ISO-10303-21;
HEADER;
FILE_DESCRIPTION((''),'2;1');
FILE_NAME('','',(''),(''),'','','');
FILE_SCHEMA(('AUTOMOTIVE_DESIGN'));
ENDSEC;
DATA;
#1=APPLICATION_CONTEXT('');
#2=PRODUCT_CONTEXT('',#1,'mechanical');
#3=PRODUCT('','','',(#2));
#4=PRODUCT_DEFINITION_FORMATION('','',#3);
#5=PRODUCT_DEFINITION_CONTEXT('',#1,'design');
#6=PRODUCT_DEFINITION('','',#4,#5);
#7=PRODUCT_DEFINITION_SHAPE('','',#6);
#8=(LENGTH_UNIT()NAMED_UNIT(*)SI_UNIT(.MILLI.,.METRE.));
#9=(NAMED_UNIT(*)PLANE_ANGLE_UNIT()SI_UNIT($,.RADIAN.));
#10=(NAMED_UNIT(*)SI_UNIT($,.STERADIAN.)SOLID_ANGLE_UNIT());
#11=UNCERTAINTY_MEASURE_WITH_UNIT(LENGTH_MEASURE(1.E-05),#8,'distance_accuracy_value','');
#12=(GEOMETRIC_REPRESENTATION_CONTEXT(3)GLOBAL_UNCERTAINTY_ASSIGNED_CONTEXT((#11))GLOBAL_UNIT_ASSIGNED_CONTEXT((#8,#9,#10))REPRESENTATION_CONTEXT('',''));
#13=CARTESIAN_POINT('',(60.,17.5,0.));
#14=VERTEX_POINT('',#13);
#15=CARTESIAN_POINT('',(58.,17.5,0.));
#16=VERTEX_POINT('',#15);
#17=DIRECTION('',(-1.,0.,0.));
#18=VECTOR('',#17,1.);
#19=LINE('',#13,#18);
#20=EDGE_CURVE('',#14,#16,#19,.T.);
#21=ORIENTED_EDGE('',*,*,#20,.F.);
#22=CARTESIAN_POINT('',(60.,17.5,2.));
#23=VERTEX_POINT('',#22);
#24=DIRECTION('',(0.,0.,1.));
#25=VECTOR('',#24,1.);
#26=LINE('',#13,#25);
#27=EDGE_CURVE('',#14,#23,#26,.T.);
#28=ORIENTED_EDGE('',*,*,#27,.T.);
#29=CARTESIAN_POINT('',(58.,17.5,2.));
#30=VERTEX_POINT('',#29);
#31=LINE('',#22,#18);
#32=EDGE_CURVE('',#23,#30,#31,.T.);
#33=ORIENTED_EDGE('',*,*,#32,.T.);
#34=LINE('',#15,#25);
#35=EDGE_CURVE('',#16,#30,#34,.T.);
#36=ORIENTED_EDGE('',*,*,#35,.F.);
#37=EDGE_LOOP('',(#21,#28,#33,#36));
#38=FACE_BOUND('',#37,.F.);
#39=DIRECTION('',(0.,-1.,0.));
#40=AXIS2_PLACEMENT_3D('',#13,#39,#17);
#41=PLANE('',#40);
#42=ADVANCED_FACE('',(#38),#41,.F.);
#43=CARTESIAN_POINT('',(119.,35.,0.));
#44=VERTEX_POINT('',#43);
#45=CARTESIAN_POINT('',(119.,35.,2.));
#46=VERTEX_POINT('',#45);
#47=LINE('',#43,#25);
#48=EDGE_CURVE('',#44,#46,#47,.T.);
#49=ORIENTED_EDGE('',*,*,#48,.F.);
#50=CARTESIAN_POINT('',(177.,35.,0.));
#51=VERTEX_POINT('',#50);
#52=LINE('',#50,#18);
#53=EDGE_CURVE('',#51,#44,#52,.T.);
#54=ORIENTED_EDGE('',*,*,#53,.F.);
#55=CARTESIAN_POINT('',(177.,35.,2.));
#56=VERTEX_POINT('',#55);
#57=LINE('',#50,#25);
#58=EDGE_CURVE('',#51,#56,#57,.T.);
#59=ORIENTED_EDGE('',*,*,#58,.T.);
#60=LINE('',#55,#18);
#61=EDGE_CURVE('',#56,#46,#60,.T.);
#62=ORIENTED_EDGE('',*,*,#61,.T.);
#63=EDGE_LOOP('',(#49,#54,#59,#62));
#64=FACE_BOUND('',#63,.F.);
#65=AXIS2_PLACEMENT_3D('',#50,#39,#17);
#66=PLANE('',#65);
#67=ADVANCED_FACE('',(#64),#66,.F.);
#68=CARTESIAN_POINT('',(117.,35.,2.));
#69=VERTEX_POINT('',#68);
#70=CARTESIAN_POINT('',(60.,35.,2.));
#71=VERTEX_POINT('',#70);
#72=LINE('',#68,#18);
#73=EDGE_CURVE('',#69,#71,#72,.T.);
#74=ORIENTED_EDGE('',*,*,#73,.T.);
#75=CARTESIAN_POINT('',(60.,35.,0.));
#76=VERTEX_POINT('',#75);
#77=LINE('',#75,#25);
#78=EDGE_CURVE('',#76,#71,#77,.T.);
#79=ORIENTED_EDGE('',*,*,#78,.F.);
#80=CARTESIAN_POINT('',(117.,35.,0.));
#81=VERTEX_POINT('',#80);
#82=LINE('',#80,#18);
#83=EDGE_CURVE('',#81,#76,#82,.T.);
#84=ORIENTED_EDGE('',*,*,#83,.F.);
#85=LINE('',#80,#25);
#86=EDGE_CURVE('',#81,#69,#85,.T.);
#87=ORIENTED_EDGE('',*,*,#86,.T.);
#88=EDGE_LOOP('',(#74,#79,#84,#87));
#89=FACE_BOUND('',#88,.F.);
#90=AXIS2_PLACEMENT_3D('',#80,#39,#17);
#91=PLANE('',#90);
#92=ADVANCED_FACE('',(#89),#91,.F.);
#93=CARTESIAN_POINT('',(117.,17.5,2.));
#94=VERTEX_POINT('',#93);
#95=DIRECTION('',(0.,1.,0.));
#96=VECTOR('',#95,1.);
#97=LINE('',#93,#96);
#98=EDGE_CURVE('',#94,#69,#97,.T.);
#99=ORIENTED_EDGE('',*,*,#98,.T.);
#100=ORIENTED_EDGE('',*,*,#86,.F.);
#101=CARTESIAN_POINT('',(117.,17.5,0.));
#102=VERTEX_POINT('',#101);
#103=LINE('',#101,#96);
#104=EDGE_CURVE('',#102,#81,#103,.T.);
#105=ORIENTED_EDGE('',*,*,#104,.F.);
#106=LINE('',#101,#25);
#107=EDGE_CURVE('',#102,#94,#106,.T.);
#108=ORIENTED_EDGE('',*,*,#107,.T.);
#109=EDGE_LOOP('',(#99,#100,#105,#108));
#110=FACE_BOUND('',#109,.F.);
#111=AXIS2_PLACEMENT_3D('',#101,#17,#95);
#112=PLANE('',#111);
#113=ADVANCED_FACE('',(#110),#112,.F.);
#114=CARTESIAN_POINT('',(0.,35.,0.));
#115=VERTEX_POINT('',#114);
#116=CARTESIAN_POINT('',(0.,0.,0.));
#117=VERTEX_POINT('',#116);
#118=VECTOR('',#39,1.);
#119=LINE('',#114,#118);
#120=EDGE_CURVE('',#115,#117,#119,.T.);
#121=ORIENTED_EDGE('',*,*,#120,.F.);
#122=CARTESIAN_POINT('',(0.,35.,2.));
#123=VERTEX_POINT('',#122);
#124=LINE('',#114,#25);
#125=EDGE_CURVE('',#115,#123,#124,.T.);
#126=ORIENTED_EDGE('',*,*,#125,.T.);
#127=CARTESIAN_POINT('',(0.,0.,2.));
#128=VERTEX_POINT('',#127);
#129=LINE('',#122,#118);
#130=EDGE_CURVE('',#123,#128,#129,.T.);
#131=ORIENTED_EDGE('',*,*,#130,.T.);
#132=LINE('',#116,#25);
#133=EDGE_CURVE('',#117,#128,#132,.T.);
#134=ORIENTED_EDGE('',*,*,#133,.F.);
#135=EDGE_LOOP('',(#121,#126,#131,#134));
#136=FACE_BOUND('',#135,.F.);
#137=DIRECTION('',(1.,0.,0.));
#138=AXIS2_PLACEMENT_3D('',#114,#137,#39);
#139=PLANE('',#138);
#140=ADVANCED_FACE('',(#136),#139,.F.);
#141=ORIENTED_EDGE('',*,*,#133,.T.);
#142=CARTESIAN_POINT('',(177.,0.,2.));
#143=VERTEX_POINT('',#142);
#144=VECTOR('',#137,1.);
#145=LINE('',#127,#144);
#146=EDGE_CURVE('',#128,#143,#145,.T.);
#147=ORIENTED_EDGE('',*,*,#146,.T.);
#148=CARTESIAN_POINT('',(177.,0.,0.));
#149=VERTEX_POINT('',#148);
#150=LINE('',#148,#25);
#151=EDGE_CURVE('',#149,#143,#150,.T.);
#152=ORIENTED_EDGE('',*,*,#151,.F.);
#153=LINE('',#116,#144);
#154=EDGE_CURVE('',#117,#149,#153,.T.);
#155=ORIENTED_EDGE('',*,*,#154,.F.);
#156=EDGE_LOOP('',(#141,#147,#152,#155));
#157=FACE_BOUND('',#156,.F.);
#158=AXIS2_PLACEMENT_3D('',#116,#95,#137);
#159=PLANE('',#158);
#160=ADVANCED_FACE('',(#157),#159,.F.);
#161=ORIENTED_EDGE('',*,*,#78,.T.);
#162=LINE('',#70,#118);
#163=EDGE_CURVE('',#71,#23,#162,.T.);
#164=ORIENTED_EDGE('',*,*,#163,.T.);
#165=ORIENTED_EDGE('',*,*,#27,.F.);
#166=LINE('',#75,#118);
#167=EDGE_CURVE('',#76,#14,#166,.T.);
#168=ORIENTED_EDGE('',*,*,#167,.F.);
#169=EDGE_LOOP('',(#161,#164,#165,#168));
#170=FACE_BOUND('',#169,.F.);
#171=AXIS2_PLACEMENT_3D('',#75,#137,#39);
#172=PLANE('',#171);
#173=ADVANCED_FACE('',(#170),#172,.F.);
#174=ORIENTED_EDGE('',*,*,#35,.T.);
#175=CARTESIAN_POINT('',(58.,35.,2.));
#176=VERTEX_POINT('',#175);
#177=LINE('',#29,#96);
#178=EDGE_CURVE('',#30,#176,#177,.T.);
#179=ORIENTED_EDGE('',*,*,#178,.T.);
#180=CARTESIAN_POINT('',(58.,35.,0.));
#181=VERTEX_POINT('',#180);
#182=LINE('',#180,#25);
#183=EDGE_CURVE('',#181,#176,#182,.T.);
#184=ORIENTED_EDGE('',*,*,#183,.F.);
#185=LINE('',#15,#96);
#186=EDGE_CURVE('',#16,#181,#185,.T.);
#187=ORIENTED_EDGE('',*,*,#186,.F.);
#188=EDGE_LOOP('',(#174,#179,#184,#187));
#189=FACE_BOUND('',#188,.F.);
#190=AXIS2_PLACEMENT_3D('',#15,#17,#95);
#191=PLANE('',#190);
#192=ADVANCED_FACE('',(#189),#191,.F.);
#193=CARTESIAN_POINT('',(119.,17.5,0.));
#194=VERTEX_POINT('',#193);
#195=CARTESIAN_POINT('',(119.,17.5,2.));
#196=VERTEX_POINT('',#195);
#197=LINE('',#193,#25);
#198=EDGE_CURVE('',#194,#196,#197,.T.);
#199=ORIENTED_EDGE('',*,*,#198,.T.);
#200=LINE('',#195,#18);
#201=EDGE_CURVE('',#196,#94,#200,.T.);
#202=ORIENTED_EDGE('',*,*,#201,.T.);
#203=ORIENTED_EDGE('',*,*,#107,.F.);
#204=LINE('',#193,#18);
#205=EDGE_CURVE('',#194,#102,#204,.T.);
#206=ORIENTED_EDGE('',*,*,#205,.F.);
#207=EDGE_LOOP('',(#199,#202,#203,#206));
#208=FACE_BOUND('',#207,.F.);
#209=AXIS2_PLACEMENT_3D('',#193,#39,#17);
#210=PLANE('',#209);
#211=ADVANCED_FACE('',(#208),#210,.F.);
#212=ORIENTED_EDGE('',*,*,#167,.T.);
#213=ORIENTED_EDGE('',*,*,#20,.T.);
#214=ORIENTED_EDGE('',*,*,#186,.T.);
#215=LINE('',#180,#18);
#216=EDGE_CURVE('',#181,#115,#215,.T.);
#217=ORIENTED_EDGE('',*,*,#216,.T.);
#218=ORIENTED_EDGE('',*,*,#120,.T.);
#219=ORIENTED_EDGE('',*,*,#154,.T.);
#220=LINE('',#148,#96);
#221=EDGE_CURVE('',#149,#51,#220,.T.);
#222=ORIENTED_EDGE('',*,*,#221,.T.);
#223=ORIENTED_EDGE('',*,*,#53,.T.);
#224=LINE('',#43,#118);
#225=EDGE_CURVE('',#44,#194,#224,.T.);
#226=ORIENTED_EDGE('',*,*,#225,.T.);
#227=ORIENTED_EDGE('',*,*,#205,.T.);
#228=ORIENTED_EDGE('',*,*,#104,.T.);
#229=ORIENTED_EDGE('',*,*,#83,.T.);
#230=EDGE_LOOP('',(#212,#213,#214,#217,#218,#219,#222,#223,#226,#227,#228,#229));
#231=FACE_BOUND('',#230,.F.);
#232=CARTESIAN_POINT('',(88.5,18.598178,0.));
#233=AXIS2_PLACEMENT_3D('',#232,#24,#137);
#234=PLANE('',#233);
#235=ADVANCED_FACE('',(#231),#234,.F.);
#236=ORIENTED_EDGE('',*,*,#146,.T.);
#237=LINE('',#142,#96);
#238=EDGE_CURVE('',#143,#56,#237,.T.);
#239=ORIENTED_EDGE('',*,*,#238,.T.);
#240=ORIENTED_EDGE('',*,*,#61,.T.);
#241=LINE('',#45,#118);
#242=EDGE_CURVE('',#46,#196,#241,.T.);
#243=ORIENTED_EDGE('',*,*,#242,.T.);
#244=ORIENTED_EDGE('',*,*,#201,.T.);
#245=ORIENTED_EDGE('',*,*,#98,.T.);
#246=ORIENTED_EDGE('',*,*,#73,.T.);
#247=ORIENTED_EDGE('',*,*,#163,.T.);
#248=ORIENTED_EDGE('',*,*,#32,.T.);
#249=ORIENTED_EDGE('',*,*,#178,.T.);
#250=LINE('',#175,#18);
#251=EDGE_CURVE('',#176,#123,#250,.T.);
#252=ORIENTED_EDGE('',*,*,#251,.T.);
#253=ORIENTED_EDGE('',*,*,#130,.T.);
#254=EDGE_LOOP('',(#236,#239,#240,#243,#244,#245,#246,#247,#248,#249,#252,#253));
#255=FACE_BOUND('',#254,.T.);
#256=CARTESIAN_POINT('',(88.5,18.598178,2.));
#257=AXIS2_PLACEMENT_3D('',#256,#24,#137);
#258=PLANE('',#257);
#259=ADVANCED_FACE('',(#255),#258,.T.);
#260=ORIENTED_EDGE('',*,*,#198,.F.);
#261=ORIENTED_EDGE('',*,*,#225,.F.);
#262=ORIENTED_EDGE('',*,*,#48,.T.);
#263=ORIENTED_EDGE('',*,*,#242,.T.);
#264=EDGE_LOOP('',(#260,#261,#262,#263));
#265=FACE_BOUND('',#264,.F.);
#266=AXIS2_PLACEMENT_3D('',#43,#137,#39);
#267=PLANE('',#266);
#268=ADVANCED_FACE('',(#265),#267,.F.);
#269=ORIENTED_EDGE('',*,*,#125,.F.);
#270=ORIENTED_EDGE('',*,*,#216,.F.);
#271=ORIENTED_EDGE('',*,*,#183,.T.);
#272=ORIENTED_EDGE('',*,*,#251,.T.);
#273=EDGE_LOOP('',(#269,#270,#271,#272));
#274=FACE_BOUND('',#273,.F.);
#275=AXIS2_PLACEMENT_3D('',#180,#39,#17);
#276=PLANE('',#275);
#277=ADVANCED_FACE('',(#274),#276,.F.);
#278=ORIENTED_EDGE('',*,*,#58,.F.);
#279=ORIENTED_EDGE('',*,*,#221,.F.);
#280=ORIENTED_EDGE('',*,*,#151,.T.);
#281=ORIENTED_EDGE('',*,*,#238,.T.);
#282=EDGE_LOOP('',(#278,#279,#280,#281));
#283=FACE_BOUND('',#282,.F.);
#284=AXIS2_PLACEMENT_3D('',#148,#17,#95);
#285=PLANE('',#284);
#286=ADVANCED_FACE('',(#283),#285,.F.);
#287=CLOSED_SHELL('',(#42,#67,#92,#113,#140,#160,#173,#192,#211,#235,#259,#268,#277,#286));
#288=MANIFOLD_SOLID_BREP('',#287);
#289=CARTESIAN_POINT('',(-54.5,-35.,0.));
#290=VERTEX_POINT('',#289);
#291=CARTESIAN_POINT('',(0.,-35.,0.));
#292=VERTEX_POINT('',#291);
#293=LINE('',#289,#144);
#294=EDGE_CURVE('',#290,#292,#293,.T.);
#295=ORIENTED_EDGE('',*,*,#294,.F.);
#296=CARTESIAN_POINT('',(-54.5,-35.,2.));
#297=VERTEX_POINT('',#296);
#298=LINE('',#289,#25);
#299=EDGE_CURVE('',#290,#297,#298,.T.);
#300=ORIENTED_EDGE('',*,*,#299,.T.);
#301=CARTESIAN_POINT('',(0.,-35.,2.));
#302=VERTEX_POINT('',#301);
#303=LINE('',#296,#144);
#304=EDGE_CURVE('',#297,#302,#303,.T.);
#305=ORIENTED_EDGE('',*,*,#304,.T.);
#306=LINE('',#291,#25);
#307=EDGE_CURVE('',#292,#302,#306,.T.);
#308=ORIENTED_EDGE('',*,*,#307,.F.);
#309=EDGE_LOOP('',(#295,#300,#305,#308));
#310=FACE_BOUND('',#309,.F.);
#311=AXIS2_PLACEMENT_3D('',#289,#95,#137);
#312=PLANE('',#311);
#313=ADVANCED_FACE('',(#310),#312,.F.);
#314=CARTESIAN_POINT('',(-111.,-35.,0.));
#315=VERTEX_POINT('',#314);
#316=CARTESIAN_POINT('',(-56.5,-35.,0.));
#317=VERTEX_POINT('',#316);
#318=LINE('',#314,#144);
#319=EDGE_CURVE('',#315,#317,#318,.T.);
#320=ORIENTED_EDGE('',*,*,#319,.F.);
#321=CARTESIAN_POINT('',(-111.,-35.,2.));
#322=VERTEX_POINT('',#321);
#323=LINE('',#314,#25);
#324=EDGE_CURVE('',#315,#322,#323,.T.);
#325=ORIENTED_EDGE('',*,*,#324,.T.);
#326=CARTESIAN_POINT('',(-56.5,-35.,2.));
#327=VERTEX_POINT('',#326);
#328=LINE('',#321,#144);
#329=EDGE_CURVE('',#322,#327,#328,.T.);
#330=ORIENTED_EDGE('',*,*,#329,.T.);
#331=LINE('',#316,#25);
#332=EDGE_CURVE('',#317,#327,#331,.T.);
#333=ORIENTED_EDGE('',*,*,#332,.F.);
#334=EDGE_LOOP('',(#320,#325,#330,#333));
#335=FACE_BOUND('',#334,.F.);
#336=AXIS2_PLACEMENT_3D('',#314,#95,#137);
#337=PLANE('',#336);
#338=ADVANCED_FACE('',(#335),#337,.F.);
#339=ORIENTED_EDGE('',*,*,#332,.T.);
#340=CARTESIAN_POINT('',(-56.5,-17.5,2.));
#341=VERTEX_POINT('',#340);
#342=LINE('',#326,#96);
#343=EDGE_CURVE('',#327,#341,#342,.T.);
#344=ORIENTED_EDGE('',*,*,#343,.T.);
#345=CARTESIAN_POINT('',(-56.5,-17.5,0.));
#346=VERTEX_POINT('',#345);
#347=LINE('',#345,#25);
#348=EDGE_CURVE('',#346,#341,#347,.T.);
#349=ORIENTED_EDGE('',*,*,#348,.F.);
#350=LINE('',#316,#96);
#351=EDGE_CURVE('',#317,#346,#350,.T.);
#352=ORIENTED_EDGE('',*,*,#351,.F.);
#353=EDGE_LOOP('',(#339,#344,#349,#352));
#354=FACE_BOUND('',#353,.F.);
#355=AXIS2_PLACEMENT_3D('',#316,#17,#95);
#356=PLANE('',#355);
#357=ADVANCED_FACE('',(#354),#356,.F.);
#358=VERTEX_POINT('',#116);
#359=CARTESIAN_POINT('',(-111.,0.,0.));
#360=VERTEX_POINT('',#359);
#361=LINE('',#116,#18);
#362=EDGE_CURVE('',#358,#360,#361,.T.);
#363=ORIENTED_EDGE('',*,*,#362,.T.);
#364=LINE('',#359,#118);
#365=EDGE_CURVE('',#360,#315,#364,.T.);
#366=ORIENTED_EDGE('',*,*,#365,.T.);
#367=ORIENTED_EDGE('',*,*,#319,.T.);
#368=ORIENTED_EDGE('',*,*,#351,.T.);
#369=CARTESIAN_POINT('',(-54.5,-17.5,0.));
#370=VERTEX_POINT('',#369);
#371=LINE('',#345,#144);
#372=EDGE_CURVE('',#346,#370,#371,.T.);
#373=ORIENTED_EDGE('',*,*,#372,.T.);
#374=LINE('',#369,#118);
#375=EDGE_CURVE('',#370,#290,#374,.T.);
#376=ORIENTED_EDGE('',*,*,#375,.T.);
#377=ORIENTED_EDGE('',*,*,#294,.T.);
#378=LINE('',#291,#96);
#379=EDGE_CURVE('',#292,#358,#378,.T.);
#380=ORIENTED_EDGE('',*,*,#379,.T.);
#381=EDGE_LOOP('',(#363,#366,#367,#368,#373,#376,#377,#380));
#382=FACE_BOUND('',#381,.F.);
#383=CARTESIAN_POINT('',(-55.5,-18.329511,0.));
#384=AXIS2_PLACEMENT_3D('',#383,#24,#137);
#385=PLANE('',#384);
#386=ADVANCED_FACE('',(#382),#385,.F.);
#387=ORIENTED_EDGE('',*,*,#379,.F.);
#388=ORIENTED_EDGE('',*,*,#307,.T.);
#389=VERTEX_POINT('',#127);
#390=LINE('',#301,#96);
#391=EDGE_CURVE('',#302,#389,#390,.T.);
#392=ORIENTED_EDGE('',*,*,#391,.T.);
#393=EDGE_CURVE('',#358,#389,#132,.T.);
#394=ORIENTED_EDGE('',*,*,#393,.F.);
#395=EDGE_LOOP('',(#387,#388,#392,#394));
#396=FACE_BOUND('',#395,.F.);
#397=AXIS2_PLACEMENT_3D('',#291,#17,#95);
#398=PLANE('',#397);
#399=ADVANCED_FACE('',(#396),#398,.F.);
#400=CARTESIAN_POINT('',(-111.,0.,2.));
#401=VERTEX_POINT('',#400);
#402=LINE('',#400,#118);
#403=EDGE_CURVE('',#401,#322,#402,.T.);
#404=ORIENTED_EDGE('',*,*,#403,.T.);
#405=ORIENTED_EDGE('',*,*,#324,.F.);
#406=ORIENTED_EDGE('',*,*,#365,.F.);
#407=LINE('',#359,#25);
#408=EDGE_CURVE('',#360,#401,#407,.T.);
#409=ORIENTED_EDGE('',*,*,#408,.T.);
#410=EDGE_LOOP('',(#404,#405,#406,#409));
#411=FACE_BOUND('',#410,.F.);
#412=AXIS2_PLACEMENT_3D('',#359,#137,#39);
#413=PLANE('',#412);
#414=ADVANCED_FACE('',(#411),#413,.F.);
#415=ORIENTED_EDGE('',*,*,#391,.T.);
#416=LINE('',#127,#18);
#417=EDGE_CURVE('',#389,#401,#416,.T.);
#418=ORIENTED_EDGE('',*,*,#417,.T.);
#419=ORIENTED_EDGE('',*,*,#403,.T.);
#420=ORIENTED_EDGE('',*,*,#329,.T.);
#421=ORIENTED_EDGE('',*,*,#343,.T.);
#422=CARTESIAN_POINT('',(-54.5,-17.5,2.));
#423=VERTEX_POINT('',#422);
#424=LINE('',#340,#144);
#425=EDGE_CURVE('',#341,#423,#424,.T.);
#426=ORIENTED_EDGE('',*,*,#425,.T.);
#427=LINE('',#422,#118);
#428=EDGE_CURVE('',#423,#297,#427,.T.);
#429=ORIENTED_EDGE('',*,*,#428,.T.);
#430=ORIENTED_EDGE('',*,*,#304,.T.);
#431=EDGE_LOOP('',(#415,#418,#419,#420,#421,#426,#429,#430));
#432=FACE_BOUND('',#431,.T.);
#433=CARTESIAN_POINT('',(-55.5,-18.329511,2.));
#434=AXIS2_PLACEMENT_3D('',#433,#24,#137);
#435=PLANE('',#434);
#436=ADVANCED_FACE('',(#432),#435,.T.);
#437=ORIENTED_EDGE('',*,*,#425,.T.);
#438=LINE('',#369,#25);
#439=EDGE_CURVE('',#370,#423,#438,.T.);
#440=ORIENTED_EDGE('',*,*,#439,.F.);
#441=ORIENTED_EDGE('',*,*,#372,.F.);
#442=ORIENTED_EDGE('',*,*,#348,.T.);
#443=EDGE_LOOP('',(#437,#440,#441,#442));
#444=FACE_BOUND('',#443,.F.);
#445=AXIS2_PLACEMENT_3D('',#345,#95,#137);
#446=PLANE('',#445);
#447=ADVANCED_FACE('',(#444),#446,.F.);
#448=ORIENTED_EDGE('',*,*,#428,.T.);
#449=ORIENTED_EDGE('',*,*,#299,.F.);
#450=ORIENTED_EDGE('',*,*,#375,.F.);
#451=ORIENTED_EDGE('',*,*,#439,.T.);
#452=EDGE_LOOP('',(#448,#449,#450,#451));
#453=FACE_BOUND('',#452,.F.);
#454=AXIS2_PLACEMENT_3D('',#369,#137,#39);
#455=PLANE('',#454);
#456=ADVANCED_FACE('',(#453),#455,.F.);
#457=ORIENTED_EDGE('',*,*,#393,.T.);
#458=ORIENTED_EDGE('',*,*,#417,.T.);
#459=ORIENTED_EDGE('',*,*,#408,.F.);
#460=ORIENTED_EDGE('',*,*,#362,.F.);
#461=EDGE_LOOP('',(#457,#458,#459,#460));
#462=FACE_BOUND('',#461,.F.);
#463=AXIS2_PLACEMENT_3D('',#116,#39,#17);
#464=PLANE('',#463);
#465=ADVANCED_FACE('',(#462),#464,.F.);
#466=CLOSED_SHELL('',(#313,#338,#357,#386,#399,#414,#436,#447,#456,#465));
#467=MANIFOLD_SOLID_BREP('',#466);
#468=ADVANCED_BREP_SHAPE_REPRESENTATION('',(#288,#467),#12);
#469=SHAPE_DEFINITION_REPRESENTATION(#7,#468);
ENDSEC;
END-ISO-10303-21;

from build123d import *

# Parameters (mm, degrees)
F2_DEPTH = 2
F3_DEPTH = 2


with BuildPart() as f2:
    # F0 (on Top) → F2 (new body)
    with BuildSketch(Plane.XY):
        Polygon((0, 35), (0, 0), (177, 0), (177, 35), (119, 35), (119, 17.5), (117, 17.5), (117, 35), (60, 35), (60, 17.5), (58, 17.5), (58, 35), align=None)
    extrude(amount=F2_DEPTH)


with BuildPart() as f3:
    # F1 (on Top) → F3 (new body)
    with BuildSketch(Plane.XY):
        Polygon((0, -35), (0, 0), (-111, 0), (-111, -35), (-56.5, -35), (-56.5, -17.5), (-54.5, -17.5), (-54.5, -35), align=None)
    extrude(amount=F3_DEPTH)


solid = Compound([f2.part, f3.part])
